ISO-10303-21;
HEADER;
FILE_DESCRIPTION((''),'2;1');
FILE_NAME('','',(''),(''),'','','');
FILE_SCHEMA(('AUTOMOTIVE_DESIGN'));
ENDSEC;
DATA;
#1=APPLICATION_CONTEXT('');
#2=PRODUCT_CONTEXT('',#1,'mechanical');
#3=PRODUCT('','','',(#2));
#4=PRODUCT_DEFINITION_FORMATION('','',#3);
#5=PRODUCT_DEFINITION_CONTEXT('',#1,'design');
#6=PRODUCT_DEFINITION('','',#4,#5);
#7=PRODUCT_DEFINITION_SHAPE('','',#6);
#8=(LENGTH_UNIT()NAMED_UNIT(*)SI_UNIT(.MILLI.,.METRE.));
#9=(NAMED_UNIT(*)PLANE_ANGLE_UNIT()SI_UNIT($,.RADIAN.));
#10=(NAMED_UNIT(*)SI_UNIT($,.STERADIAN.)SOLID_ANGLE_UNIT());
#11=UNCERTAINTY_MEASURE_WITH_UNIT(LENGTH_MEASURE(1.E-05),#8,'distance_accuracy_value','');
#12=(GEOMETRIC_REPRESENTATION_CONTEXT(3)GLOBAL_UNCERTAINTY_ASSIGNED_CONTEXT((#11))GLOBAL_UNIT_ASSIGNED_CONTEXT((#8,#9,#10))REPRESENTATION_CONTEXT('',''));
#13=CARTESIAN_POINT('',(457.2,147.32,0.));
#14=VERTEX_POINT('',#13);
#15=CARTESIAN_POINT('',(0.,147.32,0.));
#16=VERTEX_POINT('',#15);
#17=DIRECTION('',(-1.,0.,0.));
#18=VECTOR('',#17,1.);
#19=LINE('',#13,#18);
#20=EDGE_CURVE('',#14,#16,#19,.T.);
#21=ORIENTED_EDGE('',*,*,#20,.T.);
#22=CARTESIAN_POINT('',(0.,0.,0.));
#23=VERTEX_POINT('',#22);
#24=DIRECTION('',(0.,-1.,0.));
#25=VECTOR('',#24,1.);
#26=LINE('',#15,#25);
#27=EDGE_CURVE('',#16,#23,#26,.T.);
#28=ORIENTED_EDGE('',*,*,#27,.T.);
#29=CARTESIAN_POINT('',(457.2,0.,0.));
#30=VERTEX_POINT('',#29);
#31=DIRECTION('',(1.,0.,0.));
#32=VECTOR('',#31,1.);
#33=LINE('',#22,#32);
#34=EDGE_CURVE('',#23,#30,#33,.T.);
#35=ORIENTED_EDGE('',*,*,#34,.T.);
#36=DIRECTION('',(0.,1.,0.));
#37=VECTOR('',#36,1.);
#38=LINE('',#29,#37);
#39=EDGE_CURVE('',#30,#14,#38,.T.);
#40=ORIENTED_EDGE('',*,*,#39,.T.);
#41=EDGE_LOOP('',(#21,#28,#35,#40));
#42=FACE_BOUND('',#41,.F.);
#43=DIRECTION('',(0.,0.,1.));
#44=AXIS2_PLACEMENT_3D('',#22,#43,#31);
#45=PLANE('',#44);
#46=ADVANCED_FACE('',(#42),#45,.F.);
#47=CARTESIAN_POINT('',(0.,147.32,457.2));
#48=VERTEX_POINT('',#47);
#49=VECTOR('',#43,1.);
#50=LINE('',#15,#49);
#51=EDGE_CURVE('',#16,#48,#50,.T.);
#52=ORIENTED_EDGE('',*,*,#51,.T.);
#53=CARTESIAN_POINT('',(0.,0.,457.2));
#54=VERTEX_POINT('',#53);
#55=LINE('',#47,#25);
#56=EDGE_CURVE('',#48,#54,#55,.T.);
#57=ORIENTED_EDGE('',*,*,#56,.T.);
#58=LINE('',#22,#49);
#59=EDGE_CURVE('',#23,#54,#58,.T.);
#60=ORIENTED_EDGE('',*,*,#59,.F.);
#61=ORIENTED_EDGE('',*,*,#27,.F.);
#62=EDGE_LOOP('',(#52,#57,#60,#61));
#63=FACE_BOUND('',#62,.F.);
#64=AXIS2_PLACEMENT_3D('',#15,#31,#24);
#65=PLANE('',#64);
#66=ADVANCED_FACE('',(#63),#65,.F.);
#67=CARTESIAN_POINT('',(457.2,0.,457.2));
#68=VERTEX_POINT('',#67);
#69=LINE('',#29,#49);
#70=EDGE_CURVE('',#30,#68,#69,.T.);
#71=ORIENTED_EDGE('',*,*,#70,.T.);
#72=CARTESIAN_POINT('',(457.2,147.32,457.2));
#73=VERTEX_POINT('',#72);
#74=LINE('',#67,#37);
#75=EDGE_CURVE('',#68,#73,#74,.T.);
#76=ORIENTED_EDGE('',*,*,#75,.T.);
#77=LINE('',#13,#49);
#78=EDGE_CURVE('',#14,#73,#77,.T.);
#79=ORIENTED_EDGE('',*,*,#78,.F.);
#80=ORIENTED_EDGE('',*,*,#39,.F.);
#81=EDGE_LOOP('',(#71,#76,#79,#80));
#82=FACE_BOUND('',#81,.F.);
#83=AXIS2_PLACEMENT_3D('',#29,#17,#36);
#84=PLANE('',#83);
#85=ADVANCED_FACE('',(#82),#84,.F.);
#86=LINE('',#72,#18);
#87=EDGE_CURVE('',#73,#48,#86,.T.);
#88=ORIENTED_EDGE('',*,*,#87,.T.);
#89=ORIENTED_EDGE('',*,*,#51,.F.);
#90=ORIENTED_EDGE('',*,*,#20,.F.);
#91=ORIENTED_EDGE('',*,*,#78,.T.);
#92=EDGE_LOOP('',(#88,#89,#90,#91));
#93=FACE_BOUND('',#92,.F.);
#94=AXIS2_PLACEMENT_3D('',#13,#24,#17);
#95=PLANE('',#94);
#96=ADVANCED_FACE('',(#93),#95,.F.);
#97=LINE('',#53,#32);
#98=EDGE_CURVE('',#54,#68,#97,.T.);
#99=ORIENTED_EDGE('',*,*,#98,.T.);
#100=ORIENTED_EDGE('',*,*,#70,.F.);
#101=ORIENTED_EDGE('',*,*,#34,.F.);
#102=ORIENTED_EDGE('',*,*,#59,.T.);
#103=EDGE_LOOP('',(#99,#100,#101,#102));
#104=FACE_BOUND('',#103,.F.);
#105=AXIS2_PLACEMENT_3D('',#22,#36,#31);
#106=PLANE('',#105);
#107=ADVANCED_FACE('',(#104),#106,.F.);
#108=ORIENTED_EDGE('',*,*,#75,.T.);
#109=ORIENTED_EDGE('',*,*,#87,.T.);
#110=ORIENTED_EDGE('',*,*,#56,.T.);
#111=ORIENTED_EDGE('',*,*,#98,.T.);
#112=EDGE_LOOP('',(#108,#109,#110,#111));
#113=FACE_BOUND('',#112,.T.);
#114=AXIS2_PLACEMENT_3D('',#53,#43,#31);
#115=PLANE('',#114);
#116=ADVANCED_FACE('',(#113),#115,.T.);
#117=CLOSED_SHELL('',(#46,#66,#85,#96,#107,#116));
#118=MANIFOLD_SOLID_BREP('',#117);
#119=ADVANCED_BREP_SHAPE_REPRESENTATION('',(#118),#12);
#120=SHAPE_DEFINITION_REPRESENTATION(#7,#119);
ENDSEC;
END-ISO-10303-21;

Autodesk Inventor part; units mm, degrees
ref_plane "YZ Plane" through (0, 0, 0) normal (1, 0, 0) x (0, 1, 0)
ref_plane "XZ Plane" through (0, 0, 0) normal (0, 1, 0) x (-1, 0, 0)
ref_plane "XY Plane" through (0, 0, 0) normal (0, 0, 1) x (1, 0, 0)
sketch "Sketch1" plane through (0, 0, 0) normal (0, 0, 1) x (1, 0, 0)
  line L0 (0, 0) -> (457.2, 0)
  line L1 (457.2, 0) -> (457.2, 147.32)
  line L2 (457.2, 147.32) -> (0, 147.32)
  line L3 (0, 147.32) -> (0, 0)
  dimension "d0" = 457.2
  dimension "d1" = 147.32
extrude "Extrusion1" add sketch "Sketch1" along normal blind 457.2
properties part number "box"
